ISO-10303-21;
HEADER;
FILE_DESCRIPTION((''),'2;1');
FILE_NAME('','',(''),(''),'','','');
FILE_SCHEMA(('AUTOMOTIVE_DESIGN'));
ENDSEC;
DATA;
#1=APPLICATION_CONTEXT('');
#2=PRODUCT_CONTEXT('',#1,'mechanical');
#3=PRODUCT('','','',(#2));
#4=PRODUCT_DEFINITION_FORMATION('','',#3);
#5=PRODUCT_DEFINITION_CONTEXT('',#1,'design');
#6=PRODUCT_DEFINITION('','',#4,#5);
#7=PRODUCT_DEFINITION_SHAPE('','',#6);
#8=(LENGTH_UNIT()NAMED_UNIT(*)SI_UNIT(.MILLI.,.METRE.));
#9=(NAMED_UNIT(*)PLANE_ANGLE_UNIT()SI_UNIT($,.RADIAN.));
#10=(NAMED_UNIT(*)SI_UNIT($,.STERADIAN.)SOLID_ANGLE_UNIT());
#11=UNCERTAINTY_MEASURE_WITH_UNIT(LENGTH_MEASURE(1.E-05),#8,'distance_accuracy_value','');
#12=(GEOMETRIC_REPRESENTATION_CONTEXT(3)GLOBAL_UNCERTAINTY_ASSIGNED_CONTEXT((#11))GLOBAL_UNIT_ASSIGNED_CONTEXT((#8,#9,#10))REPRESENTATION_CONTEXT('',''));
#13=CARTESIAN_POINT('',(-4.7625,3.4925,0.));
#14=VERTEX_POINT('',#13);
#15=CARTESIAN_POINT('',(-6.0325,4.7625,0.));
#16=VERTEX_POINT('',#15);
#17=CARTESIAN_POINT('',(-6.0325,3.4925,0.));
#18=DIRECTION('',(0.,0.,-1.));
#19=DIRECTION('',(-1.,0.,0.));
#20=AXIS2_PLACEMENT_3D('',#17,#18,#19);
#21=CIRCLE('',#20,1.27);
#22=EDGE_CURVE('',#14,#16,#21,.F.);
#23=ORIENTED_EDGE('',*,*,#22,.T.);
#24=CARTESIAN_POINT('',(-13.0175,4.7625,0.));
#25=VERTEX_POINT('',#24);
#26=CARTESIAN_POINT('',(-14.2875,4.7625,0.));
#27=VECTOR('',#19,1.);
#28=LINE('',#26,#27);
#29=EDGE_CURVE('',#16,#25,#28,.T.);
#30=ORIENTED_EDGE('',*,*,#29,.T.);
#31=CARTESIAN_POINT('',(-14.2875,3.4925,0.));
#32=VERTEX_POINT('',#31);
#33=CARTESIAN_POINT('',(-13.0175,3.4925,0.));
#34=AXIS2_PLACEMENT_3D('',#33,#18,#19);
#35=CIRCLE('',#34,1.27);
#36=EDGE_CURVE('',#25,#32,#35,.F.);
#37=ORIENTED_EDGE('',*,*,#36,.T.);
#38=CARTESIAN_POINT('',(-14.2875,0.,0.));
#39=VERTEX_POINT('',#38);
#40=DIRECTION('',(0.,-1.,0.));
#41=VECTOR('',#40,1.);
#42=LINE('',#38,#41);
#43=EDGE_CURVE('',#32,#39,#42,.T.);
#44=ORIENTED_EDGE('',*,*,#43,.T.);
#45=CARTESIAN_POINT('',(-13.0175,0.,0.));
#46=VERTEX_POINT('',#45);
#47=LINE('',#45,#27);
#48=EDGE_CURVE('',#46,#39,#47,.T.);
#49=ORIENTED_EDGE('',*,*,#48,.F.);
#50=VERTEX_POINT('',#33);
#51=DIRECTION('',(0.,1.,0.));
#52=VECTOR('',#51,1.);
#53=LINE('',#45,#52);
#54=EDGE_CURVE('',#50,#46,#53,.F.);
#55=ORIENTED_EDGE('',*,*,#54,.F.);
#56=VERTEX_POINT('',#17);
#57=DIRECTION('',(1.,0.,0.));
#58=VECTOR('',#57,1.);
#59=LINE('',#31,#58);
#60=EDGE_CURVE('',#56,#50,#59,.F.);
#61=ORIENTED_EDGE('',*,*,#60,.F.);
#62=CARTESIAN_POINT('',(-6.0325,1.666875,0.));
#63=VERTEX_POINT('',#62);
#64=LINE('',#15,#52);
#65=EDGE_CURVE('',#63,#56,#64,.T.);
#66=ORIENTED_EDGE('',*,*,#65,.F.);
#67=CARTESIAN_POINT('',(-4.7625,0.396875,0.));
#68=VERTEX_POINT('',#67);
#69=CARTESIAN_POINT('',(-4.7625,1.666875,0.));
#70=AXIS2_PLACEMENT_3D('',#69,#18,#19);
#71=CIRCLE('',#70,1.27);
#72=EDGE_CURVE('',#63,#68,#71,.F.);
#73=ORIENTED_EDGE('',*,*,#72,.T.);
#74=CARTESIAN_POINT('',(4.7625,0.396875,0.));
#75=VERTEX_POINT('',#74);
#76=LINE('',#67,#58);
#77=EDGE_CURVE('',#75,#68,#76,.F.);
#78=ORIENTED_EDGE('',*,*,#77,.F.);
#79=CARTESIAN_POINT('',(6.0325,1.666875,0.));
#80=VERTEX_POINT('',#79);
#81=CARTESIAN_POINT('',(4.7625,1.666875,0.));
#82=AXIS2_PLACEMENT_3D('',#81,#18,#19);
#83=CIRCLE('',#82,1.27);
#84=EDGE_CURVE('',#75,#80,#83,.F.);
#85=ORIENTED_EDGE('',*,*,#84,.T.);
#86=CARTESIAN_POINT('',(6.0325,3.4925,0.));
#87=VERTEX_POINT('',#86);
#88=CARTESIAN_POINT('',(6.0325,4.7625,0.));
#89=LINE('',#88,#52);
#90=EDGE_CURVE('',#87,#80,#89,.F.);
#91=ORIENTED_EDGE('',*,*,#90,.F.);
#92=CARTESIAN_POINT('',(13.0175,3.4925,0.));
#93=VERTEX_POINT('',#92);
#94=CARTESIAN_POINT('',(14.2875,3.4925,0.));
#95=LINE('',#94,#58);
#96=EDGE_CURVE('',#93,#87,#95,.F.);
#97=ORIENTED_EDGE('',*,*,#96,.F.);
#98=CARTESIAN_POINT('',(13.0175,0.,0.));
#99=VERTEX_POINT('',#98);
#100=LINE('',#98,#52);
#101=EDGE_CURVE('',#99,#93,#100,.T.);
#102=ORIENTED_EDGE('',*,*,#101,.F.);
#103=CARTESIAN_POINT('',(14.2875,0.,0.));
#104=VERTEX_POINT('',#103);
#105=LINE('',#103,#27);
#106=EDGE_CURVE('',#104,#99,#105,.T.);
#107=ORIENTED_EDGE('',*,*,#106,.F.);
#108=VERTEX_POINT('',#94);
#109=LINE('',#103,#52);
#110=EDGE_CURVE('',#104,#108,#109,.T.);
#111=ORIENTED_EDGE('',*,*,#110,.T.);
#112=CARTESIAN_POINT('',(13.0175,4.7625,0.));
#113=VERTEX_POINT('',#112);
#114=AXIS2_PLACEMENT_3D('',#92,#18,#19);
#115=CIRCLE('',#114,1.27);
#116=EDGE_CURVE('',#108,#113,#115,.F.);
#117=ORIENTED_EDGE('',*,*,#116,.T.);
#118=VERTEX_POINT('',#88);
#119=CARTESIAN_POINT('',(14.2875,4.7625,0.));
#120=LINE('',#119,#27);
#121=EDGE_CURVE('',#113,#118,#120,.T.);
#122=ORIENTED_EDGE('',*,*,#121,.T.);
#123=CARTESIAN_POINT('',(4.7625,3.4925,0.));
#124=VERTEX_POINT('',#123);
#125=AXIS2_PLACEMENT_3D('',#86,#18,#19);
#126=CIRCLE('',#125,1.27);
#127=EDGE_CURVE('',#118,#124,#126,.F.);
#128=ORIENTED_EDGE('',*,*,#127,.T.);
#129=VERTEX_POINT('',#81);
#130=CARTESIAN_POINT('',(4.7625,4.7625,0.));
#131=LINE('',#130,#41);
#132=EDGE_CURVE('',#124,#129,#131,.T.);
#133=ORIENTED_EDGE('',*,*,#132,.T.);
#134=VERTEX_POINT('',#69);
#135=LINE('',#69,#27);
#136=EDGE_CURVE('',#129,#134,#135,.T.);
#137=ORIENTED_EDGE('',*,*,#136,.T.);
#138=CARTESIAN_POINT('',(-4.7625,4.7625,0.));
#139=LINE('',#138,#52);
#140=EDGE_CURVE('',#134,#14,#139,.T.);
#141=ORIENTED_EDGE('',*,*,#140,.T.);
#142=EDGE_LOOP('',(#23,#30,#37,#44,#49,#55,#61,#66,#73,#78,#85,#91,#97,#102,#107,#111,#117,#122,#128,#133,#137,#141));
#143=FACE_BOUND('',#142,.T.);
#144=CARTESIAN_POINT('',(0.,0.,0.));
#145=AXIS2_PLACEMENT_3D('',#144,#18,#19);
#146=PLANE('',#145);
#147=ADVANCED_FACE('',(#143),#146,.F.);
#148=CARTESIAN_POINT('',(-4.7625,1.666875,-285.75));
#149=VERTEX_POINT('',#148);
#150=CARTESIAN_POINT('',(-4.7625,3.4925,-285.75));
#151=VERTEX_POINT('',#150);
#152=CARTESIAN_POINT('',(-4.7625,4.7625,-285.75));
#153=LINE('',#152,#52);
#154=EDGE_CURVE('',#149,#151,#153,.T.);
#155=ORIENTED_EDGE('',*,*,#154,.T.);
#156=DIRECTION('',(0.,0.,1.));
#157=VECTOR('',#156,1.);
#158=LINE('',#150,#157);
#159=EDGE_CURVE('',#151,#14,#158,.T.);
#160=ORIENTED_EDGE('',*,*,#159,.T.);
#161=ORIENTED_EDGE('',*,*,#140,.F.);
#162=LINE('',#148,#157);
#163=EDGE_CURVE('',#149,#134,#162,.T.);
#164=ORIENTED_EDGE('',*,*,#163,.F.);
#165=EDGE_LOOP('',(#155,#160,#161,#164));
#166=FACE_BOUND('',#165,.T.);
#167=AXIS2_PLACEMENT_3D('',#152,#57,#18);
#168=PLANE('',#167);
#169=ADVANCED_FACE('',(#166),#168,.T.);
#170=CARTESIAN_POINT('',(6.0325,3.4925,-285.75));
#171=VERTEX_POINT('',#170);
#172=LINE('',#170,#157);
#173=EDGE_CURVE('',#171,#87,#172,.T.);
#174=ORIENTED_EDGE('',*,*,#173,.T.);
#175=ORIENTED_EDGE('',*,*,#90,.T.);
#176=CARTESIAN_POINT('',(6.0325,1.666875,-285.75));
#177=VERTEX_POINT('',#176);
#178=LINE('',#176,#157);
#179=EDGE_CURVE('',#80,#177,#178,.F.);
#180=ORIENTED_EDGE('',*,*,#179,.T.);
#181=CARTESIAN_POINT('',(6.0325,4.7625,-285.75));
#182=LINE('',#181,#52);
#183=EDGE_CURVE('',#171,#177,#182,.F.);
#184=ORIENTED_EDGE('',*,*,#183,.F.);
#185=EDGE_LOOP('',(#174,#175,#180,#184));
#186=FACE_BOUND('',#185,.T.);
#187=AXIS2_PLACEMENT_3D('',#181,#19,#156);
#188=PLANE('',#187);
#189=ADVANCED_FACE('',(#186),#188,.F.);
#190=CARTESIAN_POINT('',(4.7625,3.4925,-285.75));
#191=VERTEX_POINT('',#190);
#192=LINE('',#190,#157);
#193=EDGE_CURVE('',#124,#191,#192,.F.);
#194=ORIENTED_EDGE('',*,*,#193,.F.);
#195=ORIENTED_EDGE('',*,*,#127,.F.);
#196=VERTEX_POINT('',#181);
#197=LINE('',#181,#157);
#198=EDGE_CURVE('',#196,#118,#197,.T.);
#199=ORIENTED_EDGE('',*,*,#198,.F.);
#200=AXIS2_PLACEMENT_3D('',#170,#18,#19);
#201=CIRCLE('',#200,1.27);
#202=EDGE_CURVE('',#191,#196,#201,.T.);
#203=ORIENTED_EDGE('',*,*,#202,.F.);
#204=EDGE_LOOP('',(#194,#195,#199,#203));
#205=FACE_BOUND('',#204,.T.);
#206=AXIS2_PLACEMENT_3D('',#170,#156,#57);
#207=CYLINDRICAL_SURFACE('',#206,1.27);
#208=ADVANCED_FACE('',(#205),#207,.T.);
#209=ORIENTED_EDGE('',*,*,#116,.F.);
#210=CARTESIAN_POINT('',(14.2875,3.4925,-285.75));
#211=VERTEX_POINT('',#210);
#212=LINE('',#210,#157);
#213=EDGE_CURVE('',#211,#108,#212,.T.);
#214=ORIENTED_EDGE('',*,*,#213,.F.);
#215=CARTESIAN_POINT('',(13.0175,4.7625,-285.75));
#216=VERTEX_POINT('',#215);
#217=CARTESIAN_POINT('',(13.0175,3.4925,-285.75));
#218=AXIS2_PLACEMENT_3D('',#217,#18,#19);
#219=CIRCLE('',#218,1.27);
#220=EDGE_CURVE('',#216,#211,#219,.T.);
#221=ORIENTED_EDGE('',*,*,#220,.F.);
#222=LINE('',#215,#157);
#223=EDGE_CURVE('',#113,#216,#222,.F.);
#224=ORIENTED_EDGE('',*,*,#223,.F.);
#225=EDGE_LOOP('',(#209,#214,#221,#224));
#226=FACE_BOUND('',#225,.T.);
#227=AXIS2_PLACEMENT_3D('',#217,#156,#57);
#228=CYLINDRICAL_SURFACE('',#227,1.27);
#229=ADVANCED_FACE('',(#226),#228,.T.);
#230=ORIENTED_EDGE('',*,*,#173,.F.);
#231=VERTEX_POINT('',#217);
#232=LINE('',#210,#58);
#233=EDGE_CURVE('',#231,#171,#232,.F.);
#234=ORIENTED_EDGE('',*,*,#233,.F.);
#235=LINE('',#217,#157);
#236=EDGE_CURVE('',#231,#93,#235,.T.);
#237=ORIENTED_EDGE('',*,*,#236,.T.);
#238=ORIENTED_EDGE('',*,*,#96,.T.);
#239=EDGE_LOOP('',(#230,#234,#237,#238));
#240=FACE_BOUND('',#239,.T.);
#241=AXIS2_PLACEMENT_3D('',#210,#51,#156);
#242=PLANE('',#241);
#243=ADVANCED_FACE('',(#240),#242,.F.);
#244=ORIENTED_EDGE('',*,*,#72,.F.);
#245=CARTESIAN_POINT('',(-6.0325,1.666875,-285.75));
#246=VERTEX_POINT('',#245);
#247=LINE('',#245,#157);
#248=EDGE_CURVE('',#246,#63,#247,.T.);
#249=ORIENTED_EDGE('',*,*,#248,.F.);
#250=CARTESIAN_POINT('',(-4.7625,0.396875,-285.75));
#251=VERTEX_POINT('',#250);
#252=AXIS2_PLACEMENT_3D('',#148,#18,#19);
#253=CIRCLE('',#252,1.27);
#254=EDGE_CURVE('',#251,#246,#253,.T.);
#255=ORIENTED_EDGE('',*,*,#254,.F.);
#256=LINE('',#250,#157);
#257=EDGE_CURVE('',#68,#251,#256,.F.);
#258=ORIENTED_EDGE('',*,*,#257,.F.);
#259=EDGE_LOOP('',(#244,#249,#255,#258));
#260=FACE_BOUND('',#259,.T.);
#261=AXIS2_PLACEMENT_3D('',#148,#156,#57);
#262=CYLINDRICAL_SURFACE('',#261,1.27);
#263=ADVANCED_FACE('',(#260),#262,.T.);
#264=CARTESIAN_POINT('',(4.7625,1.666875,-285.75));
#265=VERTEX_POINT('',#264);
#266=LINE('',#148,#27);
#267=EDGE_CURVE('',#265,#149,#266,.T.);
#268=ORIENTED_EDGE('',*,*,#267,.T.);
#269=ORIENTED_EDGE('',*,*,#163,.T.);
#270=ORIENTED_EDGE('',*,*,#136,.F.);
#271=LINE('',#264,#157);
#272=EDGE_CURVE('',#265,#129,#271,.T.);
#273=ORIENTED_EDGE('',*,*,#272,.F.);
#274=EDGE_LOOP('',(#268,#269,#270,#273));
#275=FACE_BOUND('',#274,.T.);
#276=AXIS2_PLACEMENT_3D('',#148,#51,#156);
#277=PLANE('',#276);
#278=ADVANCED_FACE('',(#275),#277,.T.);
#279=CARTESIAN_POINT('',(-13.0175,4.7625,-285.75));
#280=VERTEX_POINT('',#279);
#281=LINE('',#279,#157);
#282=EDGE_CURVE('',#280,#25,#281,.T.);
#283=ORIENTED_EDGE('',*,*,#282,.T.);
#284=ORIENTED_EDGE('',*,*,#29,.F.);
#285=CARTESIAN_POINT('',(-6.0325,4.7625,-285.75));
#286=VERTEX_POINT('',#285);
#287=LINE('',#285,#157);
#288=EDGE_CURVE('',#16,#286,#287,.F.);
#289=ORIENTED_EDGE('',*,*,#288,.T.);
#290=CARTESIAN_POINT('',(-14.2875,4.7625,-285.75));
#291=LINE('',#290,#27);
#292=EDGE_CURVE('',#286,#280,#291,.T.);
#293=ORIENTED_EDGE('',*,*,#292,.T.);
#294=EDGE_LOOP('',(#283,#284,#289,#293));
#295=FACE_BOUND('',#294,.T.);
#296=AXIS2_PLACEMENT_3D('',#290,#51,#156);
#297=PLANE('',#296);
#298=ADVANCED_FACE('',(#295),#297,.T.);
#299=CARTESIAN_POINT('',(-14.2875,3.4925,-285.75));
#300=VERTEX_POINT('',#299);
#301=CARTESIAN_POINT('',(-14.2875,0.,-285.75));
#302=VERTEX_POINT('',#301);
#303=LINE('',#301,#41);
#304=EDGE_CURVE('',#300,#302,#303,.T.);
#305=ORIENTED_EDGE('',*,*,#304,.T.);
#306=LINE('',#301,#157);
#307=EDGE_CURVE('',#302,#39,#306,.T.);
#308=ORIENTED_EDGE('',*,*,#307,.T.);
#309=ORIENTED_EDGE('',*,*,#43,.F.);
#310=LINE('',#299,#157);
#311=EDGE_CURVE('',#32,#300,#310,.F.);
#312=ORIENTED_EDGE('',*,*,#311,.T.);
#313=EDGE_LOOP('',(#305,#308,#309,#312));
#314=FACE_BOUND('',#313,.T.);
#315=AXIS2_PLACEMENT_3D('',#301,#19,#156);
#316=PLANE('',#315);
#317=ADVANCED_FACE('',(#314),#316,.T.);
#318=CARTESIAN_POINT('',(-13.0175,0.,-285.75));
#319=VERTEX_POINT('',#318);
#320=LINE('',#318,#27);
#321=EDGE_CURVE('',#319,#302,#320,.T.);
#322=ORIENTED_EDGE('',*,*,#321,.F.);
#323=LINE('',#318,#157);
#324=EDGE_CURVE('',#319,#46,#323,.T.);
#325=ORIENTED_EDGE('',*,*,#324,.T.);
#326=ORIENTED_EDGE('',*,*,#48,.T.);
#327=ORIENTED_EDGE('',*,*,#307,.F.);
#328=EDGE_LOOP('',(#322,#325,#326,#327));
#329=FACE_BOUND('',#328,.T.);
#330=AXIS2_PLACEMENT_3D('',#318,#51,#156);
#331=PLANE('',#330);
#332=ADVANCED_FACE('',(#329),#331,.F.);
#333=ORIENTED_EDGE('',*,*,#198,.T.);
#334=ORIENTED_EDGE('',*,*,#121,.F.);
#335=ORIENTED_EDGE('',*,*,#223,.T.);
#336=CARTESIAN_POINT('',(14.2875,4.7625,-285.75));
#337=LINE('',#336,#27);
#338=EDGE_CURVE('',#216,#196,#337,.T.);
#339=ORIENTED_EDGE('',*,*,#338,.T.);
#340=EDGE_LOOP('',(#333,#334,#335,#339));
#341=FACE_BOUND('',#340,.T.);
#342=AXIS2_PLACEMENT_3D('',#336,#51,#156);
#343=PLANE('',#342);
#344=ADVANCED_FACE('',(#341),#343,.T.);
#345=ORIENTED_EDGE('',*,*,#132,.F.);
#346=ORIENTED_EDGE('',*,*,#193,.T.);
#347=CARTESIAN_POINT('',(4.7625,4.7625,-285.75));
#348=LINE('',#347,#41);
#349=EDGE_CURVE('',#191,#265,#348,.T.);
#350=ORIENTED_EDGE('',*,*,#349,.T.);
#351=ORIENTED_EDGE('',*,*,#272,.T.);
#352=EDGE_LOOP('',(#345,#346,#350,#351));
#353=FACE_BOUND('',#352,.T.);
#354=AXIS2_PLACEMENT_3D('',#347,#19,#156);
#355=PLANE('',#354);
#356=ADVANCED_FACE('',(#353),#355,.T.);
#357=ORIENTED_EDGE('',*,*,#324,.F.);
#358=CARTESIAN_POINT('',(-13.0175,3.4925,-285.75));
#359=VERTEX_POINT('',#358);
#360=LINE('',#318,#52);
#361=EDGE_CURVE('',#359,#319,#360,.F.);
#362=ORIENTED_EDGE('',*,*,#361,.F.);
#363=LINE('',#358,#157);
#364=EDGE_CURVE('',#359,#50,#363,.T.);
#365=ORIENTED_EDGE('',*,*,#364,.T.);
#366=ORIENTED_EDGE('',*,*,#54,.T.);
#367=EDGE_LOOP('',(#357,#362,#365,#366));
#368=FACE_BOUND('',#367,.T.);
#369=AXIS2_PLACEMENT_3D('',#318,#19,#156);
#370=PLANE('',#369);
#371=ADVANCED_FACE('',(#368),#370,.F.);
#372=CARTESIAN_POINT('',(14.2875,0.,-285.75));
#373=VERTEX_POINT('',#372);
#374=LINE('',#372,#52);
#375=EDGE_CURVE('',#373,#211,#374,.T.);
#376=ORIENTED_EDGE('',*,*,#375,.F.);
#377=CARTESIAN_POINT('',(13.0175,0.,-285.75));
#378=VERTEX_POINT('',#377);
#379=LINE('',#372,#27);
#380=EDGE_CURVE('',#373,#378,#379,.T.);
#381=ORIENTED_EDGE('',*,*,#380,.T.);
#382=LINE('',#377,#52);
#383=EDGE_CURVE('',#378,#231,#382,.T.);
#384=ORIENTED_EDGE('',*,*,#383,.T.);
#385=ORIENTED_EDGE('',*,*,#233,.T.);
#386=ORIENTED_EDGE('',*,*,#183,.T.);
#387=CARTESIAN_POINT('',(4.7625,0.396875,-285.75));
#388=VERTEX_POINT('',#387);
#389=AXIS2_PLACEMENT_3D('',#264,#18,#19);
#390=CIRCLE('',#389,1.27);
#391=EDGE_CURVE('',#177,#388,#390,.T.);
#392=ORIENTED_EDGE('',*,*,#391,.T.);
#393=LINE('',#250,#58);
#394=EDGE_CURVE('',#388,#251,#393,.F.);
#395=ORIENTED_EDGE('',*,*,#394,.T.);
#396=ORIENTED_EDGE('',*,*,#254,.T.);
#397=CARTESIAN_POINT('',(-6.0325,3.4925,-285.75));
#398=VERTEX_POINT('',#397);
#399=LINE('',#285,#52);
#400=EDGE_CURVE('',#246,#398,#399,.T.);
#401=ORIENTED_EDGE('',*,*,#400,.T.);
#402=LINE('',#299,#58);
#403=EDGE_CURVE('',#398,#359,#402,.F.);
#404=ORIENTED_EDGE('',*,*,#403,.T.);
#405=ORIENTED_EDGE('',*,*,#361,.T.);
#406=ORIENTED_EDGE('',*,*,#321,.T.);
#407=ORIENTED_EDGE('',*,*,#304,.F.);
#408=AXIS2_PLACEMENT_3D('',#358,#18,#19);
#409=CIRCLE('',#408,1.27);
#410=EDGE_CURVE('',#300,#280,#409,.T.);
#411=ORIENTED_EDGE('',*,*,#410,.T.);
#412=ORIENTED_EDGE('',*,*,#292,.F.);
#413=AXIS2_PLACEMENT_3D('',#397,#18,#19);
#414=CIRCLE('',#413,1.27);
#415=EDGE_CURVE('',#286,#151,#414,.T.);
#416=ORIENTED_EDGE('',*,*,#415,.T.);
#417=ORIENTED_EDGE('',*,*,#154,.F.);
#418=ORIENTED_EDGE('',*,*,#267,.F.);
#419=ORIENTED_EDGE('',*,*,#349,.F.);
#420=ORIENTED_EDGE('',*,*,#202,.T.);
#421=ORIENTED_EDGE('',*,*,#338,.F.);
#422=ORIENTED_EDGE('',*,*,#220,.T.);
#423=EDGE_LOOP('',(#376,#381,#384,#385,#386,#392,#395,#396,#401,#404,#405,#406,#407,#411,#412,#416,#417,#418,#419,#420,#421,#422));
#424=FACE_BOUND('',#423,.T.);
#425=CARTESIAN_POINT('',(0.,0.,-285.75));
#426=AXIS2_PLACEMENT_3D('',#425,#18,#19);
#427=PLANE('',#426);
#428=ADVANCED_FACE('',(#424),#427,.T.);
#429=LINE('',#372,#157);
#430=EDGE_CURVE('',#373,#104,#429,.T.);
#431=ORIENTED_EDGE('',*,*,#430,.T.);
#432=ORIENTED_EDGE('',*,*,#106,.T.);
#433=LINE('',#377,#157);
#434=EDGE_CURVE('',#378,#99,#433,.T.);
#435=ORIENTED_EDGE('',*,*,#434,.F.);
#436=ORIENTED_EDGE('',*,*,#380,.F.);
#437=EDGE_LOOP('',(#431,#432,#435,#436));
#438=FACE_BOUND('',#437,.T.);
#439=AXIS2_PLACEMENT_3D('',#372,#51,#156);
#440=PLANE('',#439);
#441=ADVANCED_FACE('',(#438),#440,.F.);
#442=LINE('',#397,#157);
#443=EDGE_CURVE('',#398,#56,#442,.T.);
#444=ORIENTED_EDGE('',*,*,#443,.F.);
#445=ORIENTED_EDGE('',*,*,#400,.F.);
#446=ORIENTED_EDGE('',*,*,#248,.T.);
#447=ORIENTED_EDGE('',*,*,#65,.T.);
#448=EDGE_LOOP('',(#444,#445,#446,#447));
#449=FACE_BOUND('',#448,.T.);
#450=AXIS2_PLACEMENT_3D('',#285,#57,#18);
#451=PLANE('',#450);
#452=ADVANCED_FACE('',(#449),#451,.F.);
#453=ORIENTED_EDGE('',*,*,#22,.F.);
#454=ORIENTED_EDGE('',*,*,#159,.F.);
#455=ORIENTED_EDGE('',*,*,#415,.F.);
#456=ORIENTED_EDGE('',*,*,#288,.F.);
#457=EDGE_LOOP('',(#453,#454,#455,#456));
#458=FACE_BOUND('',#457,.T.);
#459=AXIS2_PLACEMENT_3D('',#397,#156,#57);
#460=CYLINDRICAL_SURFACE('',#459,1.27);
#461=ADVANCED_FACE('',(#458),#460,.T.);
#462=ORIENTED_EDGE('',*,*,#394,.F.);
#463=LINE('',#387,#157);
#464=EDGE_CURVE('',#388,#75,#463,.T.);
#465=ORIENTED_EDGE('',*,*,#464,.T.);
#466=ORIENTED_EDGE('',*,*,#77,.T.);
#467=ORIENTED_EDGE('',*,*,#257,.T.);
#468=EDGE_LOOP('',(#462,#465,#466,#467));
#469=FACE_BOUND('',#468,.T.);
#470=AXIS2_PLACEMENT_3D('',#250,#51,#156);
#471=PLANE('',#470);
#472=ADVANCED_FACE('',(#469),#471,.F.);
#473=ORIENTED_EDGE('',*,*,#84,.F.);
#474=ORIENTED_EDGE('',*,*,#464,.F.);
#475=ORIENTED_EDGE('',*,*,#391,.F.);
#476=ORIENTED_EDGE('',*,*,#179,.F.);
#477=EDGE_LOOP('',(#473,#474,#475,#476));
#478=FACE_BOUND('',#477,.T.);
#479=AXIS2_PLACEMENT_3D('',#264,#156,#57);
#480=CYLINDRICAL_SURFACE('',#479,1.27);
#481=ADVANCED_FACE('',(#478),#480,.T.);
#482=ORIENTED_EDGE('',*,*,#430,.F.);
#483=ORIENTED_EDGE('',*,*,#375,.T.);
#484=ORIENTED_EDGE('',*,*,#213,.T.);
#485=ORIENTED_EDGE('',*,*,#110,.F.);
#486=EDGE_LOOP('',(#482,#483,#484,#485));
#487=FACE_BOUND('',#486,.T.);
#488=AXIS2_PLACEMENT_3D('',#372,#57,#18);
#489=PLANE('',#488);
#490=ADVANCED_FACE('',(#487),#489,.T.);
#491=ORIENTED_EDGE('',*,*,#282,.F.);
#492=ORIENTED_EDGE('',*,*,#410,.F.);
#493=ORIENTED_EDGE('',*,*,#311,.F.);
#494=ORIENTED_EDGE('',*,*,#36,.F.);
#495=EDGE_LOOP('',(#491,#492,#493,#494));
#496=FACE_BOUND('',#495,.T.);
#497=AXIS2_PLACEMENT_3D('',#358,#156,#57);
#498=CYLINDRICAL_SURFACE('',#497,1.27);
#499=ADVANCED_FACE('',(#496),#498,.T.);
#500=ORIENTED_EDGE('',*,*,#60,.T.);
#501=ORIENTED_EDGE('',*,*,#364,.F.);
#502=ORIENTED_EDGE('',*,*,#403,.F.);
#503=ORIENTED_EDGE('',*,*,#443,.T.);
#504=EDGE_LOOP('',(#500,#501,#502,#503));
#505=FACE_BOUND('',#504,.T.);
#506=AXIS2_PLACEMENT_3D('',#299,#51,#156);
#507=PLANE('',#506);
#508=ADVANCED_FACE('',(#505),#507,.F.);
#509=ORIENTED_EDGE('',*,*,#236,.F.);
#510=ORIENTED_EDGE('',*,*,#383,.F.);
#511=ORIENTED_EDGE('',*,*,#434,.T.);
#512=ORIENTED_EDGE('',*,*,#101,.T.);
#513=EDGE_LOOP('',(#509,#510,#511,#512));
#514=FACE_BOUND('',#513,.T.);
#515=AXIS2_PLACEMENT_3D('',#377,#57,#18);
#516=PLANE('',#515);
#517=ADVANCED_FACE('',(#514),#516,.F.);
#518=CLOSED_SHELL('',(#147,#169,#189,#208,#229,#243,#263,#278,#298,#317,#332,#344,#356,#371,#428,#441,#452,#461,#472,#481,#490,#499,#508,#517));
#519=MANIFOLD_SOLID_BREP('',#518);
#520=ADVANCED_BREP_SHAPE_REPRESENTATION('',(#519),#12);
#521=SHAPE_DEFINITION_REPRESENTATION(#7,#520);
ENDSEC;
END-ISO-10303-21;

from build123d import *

# Parameters (mm, degrees)
EXTRUDE_THIN1_DEPTH = 285.75
FILLET1_R           = 1.27


with BuildPart() as part:
    # Sketch1 → Extrude-Thin1 (new body)
    with BuildSketch(Plane.XY):
        Polygon((-14.2875, 0), (-14.2875, 4.7625), (-4.7625, 4.7625), (-4.7625, 1.666875), (4.7625, 1.666875), (4.7625, 4.7625), (14.2875, 4.7625), (14.2875, 0), (13.0175, 0), (13.0175, 3.4925), (6.0325, 3.4925), (6.0325, 0.396875), (-6.0325, 0.396875), (-6.0325, 3.4925), (-13.0175, 3.4925), (-13.0175, 0), align=None)
    extrude(amount=-EXTRUDE_THIN1_DEPTH)

    # Fillet1
    fillet1_edges = [part.edges().sort_by_distance(p)[0] for p in [
        (-14.2875, 4.7625, -142.875),
        (-4.7625, 4.7625, -142.875),
        (4.7625, 4.7625, -142.875),
        (14.2875, 4.7625, -142.875),
        (6.0325, 0.396875, -142.875),
        (-6.0325, 0.396875, -142.875),
    ]]
    fillet(fillet1_edges, radius=FILLET1_R)


solid = part.part
